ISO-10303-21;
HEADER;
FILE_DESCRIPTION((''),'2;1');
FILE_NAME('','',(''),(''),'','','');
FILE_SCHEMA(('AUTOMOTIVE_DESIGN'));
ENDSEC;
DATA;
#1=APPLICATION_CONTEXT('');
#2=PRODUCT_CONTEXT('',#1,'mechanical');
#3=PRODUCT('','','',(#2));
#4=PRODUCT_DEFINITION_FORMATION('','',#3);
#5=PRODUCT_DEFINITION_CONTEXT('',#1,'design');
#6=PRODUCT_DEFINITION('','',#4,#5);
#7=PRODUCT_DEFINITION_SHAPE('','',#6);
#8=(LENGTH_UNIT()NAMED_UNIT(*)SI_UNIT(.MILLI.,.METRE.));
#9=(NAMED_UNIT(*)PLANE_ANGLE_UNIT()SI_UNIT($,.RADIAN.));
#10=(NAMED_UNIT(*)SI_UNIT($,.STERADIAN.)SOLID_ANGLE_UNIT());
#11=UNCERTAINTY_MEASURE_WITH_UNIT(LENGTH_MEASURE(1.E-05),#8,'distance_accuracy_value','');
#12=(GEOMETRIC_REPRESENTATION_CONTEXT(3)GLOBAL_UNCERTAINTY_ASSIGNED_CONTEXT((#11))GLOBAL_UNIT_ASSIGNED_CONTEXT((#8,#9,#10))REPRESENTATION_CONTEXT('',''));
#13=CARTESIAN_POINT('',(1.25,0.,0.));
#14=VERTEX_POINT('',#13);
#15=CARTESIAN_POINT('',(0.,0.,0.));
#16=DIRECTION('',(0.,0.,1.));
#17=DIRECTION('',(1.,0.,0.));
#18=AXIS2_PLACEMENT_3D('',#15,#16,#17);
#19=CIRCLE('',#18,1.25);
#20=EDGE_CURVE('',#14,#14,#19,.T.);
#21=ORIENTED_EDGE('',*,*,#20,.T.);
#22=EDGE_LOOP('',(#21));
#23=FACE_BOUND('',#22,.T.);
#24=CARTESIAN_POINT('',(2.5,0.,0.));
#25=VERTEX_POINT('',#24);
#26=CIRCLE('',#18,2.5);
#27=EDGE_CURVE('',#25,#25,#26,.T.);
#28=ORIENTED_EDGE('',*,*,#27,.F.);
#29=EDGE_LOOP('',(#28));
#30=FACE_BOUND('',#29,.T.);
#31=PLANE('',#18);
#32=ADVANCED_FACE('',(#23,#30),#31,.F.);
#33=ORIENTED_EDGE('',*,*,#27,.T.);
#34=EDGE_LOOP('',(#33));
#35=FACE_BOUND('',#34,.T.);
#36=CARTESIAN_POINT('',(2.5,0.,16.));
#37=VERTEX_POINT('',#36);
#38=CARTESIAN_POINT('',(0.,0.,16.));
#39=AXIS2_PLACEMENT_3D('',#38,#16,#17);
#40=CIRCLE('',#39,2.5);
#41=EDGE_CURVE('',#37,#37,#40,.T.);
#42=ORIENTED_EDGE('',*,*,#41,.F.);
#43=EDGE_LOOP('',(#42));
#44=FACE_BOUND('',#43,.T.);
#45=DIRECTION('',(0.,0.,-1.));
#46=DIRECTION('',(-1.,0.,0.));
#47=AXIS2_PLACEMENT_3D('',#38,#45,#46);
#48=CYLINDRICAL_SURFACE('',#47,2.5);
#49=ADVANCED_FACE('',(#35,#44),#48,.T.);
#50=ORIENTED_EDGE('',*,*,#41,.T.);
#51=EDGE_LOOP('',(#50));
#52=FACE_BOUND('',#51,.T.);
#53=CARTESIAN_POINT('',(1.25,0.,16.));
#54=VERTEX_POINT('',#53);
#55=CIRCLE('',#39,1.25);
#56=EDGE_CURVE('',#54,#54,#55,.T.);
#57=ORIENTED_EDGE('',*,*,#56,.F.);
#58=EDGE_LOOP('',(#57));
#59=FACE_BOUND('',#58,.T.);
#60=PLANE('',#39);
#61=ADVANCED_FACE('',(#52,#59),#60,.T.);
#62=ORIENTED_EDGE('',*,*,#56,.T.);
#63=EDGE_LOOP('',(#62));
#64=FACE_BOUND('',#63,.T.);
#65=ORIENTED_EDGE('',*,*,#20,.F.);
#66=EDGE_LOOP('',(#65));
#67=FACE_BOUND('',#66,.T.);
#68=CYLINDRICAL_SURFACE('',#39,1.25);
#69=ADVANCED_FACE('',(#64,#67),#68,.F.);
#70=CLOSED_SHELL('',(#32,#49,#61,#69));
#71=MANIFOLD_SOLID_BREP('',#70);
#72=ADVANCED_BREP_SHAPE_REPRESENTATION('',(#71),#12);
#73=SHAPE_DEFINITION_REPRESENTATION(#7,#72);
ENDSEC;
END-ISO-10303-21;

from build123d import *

# Parameters (mm, degrees)
SKETCH_1_R         = 2.5
EXTRUDE_1_DEPTH    = 16
HOLE_WIZARD_M3_1_D = 2.5


with BuildPart() as part:
    # 草图1 → 凸台-拉伸1 (new body)
    with BuildSketch(Plane.XY):
        Circle(SKETCH_1_R)
    extrude(amount=EXTRUDE_1_DEPTH)

    # M3 螺纹孔1 (through all)
    with Locations(Plane.XY.offset(16)):
        with Locations((0, 0)):
            Hole(HOLE_WIZARD_M3_1_D / 2)


solid = part.part
